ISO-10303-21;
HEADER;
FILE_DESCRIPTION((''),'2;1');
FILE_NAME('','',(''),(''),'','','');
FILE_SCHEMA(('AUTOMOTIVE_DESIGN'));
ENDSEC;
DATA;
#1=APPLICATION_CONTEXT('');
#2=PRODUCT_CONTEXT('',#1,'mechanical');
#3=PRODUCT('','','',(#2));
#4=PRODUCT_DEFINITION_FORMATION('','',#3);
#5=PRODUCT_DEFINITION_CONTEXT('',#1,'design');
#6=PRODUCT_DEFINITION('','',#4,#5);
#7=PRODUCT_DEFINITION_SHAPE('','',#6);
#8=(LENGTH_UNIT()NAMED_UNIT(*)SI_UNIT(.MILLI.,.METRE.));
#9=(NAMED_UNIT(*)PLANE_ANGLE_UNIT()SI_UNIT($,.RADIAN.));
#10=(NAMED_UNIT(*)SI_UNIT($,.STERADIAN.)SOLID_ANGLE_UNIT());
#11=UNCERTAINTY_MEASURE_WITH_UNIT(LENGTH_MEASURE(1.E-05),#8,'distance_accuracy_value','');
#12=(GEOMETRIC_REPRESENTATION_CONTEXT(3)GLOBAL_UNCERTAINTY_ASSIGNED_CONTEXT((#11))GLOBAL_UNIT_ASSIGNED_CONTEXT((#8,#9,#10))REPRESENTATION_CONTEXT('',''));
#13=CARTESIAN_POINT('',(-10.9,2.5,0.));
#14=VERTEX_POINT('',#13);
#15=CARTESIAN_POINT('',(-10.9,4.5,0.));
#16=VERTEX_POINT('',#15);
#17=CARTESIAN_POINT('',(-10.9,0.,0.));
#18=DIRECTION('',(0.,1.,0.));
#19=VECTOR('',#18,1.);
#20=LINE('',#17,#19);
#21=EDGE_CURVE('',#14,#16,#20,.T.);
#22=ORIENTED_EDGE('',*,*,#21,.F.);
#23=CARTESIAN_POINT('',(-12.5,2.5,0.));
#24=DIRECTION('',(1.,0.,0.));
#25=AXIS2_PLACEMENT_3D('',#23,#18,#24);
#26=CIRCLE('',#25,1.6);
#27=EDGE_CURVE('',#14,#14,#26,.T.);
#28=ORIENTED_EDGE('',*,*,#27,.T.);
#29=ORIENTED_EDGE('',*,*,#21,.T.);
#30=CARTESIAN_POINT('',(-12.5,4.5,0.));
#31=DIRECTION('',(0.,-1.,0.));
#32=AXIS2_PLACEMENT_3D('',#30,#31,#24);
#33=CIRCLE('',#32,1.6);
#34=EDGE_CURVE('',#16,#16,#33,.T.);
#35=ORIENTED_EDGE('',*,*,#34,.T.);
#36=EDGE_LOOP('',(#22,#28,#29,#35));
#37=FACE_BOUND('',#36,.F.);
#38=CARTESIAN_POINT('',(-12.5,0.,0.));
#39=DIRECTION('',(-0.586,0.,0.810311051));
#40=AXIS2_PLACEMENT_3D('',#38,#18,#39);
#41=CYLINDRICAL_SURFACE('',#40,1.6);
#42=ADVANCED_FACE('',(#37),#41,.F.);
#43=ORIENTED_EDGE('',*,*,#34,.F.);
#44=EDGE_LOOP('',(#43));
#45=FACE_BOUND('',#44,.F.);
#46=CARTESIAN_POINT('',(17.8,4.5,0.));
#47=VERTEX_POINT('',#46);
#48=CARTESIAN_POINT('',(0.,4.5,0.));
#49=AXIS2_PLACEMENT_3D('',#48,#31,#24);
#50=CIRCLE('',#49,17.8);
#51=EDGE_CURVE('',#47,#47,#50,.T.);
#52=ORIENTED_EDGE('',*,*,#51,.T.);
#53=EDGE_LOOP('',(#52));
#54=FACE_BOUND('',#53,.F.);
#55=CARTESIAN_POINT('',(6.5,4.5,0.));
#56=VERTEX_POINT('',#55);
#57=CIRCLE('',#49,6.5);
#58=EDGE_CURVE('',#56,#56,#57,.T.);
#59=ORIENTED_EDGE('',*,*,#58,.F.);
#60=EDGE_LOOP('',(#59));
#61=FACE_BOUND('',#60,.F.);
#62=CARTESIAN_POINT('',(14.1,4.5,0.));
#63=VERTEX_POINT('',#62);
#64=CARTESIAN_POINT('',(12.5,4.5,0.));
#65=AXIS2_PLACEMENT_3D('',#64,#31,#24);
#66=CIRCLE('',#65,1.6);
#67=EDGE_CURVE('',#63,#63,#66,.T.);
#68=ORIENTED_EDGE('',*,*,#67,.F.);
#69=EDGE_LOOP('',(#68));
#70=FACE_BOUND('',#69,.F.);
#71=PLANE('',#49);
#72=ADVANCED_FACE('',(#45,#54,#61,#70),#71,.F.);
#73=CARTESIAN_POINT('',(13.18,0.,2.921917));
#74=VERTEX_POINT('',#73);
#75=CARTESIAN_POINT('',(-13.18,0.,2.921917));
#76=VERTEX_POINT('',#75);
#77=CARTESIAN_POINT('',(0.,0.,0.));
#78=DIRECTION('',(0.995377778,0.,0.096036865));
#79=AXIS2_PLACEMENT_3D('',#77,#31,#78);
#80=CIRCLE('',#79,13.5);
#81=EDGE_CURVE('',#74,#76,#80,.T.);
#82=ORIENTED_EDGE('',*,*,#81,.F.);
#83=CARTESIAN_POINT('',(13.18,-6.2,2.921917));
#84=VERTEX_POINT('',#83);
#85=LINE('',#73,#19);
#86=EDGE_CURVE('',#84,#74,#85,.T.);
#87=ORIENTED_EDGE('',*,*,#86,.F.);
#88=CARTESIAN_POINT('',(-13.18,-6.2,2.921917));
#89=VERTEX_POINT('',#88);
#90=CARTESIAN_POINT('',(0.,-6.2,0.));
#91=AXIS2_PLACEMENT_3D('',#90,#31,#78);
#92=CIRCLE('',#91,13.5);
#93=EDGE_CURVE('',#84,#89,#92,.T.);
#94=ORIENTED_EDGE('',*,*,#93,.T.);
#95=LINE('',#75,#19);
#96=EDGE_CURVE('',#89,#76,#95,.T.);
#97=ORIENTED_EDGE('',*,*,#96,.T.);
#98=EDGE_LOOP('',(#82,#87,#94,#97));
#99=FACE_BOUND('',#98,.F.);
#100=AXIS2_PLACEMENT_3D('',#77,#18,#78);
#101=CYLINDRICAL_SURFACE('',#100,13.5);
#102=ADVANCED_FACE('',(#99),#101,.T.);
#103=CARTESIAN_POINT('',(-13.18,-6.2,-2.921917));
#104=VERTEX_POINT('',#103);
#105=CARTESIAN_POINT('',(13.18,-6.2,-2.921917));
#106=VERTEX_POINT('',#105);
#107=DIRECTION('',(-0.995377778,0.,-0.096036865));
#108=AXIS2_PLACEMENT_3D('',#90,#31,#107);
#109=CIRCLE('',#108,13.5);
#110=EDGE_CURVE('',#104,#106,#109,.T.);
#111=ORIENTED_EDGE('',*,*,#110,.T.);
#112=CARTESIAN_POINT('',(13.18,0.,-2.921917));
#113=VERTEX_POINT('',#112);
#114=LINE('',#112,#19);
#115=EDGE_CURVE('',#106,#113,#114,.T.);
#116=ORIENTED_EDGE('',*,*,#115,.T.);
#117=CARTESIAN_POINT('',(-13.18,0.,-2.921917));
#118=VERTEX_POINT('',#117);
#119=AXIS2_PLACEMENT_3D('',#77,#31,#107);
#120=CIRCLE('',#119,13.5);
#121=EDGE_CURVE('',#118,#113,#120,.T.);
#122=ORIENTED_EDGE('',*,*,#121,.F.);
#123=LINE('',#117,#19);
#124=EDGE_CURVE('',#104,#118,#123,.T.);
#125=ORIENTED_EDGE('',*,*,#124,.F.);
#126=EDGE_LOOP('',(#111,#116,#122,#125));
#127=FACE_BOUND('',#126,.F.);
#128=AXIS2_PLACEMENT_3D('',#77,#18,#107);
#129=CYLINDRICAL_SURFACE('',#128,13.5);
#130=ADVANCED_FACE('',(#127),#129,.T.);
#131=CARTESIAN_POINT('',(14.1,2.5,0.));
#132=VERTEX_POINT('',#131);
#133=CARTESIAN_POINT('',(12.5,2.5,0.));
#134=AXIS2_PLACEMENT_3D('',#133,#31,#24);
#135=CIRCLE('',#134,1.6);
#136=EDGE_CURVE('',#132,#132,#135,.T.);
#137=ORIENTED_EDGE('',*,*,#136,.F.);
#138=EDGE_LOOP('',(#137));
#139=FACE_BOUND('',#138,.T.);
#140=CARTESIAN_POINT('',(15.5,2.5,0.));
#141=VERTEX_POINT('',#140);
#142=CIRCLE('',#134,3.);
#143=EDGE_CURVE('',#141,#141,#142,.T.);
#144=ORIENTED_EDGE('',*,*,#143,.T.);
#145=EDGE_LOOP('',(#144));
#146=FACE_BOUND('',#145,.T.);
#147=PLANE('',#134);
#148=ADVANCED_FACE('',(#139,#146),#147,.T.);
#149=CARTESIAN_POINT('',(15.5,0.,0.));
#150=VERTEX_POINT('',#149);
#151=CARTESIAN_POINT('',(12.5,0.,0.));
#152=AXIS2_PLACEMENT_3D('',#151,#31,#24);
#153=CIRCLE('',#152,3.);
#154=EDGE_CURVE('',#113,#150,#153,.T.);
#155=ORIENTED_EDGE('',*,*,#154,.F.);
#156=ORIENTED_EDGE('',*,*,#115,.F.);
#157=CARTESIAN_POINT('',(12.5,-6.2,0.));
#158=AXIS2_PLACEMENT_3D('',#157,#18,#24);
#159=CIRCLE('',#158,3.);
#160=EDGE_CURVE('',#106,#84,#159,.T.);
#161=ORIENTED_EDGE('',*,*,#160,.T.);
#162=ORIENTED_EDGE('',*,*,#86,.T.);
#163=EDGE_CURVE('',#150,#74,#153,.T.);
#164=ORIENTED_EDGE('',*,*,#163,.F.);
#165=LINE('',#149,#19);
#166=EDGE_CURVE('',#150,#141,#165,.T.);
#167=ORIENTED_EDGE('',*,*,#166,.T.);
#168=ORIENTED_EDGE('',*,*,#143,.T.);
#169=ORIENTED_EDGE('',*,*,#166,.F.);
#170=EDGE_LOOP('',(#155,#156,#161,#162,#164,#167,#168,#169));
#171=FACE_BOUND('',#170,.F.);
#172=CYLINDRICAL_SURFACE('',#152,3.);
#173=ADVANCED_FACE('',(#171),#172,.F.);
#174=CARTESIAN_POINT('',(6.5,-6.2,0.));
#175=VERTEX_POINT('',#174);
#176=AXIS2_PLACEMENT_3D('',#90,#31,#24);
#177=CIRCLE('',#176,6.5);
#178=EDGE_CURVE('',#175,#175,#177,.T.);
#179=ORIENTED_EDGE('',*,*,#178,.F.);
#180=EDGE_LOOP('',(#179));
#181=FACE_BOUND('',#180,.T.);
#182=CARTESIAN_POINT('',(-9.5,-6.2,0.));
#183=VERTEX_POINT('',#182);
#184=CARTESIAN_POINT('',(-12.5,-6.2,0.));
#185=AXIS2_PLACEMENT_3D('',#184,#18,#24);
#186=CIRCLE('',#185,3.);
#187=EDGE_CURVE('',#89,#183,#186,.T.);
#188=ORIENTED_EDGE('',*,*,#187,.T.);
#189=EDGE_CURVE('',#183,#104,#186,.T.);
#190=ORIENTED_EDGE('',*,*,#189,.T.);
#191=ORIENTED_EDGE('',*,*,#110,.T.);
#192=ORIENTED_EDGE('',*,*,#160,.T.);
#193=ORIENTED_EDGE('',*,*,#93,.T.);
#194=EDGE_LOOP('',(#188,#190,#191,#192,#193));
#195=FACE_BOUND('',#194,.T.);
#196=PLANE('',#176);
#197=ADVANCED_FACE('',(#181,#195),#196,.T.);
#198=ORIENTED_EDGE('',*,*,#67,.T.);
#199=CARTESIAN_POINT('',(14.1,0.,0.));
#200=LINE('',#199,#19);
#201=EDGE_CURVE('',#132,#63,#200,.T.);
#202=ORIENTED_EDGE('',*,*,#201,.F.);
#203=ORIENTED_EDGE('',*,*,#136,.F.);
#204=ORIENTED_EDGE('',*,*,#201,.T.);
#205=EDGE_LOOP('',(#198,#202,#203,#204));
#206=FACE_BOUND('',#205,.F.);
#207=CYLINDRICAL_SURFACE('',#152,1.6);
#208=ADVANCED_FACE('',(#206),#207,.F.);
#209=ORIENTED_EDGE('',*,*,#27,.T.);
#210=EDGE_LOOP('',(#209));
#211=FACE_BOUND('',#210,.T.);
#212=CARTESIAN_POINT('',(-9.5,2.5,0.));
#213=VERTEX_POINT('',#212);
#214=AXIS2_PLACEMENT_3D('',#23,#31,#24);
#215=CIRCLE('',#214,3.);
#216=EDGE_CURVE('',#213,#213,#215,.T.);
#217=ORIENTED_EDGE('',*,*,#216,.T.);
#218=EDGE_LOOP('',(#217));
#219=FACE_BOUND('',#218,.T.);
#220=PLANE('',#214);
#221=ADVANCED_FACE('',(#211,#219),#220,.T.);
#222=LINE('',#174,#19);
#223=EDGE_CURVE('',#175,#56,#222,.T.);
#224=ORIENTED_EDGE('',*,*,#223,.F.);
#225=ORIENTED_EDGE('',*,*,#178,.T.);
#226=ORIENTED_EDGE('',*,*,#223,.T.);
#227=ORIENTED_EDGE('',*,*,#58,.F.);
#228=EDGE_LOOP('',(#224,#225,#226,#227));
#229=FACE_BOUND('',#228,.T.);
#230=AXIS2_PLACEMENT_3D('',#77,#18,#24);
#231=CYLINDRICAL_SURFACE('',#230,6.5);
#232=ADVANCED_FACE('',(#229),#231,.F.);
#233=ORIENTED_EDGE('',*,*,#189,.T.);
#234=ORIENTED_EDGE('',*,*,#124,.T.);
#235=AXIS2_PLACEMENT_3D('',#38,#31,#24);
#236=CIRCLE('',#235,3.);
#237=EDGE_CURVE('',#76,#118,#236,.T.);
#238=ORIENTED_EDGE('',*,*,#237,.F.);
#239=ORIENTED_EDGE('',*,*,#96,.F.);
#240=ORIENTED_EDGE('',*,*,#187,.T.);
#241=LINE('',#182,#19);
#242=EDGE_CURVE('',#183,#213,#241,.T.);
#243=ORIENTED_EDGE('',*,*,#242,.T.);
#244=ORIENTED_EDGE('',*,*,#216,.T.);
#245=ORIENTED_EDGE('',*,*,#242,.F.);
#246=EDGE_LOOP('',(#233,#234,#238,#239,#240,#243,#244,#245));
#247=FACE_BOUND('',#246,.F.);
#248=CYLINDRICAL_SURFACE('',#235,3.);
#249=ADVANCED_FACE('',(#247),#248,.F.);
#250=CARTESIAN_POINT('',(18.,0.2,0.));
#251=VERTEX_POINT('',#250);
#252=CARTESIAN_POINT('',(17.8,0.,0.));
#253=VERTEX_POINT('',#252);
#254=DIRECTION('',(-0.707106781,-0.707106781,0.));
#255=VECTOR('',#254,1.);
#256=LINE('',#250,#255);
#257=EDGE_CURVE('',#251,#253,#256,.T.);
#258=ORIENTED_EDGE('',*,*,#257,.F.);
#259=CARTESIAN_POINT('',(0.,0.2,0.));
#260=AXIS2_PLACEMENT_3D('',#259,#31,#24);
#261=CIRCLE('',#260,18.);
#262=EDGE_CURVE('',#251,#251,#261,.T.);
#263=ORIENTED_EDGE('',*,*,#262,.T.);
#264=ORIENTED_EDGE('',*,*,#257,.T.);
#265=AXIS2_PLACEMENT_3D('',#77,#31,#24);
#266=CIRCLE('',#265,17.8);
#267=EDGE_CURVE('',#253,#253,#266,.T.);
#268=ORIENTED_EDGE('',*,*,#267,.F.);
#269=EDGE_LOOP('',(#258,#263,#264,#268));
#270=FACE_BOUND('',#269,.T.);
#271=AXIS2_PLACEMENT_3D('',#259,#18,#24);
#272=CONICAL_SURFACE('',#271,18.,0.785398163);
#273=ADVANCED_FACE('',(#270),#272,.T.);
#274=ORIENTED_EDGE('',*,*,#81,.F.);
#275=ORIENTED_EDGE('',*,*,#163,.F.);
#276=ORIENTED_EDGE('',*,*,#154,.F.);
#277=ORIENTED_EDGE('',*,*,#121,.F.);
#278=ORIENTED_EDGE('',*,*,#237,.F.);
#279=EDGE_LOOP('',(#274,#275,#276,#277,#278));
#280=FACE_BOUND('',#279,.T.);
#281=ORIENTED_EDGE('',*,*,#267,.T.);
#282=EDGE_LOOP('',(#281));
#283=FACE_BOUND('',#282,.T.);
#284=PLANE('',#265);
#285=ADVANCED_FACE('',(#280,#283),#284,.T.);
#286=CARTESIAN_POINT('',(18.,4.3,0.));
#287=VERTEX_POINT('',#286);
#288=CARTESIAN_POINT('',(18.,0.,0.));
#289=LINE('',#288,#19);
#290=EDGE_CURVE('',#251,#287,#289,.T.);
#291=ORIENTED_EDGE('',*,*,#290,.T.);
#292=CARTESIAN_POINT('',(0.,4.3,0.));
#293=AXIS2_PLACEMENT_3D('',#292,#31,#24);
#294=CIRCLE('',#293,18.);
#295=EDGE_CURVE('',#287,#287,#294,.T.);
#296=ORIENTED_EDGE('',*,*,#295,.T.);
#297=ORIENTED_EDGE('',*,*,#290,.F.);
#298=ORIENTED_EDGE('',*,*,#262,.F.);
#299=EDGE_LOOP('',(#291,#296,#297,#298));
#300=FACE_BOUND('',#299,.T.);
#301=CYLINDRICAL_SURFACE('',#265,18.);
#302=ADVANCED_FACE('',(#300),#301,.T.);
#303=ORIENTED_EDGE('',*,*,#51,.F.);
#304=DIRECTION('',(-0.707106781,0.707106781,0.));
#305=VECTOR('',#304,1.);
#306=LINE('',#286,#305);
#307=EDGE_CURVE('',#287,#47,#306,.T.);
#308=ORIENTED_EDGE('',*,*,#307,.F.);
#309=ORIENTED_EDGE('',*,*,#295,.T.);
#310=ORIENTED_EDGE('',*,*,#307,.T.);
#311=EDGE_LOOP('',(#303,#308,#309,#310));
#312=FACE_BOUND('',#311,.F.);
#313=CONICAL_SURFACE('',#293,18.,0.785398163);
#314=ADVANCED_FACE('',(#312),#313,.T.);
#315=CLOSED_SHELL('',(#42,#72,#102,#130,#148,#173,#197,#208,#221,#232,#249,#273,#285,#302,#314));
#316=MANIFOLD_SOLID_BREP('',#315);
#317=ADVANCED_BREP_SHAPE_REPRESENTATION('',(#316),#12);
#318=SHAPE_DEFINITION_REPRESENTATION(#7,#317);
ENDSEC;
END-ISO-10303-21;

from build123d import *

# Parameters (mm, degrees)
F0_R          = 18
F0_R_2        = 1.6
F0_R_3        = 6.5
F1_DEPTH      = 4.5
F2_SIZE       = 0.2
F3_R          = 6.5
F4_DEPTH      = 6.2
F5_R          = 3
F6_DEPTH      = 2.5
F6_DEPTH_BACK = 6.201


with BuildPart() as f1:
    # F0 (on Front) → F1 (new body)
    with BuildSketch(Plane.XZ):
        Circle(F0_R)
        with Locations((-12.5, 0)):
            Circle(F0_R_2, mode=Mode.SUBTRACT)
        Circle(F0_R_3, mode=Mode.SUBTRACT)
        with Locations((12.5, 0)):
            Circle(F0_R_2, mode=Mode.SUBTRACT)
    extrude(amount=-F1_DEPTH)

    # F2
    f2_edges = [f1.edges().sort_by_distance(p)[0] for p in [
        (-18, 4.5, 0),
        (-18, 0, 0),
    ]]
    chamfer(f2_edges, length=F2_SIZE)

    # F3 (on face) → F4 (join)
    with BuildSketch(Plane.XZ):
        with BuildLine():
            ThreePointArc((-13.4376, 1.2964976822), (-10.9, 0), (-13.4376, -1.2964976822))
            ThreePointArc((-13.4376, -1.2964976822), (0, -13.5), (13.4376, -1.2964976822))
            ThreePointArc((13.4376, -1.2964976822), (10.9, 0), (13.4376, 1.2964976822))
            ThreePointArc((13.4376, 1.2964976822), (0, 13.5), (-13.4376, 1.2964976822))
        make_face()
        Circle(F3_R, mode=Mode.SUBTRACT)
    extrude(amount=F4_DEPTH)

    # F5 (on face) → F6 (cut, two sides)
    with BuildSketch(Plane.XZ) as f6_sk:
        with Locations((-12.5, 0)):
            Circle(F5_R)
        with Locations((12.5, 0)):
            Circle(F5_R)
    extrude(amount=-F6_DEPTH, mode=Mode.SUBTRACT)
    extrude(f6_sk.sketch, amount=F6_DEPTH_BACK, mode=Mode.SUBTRACT)


solid = f1.part
